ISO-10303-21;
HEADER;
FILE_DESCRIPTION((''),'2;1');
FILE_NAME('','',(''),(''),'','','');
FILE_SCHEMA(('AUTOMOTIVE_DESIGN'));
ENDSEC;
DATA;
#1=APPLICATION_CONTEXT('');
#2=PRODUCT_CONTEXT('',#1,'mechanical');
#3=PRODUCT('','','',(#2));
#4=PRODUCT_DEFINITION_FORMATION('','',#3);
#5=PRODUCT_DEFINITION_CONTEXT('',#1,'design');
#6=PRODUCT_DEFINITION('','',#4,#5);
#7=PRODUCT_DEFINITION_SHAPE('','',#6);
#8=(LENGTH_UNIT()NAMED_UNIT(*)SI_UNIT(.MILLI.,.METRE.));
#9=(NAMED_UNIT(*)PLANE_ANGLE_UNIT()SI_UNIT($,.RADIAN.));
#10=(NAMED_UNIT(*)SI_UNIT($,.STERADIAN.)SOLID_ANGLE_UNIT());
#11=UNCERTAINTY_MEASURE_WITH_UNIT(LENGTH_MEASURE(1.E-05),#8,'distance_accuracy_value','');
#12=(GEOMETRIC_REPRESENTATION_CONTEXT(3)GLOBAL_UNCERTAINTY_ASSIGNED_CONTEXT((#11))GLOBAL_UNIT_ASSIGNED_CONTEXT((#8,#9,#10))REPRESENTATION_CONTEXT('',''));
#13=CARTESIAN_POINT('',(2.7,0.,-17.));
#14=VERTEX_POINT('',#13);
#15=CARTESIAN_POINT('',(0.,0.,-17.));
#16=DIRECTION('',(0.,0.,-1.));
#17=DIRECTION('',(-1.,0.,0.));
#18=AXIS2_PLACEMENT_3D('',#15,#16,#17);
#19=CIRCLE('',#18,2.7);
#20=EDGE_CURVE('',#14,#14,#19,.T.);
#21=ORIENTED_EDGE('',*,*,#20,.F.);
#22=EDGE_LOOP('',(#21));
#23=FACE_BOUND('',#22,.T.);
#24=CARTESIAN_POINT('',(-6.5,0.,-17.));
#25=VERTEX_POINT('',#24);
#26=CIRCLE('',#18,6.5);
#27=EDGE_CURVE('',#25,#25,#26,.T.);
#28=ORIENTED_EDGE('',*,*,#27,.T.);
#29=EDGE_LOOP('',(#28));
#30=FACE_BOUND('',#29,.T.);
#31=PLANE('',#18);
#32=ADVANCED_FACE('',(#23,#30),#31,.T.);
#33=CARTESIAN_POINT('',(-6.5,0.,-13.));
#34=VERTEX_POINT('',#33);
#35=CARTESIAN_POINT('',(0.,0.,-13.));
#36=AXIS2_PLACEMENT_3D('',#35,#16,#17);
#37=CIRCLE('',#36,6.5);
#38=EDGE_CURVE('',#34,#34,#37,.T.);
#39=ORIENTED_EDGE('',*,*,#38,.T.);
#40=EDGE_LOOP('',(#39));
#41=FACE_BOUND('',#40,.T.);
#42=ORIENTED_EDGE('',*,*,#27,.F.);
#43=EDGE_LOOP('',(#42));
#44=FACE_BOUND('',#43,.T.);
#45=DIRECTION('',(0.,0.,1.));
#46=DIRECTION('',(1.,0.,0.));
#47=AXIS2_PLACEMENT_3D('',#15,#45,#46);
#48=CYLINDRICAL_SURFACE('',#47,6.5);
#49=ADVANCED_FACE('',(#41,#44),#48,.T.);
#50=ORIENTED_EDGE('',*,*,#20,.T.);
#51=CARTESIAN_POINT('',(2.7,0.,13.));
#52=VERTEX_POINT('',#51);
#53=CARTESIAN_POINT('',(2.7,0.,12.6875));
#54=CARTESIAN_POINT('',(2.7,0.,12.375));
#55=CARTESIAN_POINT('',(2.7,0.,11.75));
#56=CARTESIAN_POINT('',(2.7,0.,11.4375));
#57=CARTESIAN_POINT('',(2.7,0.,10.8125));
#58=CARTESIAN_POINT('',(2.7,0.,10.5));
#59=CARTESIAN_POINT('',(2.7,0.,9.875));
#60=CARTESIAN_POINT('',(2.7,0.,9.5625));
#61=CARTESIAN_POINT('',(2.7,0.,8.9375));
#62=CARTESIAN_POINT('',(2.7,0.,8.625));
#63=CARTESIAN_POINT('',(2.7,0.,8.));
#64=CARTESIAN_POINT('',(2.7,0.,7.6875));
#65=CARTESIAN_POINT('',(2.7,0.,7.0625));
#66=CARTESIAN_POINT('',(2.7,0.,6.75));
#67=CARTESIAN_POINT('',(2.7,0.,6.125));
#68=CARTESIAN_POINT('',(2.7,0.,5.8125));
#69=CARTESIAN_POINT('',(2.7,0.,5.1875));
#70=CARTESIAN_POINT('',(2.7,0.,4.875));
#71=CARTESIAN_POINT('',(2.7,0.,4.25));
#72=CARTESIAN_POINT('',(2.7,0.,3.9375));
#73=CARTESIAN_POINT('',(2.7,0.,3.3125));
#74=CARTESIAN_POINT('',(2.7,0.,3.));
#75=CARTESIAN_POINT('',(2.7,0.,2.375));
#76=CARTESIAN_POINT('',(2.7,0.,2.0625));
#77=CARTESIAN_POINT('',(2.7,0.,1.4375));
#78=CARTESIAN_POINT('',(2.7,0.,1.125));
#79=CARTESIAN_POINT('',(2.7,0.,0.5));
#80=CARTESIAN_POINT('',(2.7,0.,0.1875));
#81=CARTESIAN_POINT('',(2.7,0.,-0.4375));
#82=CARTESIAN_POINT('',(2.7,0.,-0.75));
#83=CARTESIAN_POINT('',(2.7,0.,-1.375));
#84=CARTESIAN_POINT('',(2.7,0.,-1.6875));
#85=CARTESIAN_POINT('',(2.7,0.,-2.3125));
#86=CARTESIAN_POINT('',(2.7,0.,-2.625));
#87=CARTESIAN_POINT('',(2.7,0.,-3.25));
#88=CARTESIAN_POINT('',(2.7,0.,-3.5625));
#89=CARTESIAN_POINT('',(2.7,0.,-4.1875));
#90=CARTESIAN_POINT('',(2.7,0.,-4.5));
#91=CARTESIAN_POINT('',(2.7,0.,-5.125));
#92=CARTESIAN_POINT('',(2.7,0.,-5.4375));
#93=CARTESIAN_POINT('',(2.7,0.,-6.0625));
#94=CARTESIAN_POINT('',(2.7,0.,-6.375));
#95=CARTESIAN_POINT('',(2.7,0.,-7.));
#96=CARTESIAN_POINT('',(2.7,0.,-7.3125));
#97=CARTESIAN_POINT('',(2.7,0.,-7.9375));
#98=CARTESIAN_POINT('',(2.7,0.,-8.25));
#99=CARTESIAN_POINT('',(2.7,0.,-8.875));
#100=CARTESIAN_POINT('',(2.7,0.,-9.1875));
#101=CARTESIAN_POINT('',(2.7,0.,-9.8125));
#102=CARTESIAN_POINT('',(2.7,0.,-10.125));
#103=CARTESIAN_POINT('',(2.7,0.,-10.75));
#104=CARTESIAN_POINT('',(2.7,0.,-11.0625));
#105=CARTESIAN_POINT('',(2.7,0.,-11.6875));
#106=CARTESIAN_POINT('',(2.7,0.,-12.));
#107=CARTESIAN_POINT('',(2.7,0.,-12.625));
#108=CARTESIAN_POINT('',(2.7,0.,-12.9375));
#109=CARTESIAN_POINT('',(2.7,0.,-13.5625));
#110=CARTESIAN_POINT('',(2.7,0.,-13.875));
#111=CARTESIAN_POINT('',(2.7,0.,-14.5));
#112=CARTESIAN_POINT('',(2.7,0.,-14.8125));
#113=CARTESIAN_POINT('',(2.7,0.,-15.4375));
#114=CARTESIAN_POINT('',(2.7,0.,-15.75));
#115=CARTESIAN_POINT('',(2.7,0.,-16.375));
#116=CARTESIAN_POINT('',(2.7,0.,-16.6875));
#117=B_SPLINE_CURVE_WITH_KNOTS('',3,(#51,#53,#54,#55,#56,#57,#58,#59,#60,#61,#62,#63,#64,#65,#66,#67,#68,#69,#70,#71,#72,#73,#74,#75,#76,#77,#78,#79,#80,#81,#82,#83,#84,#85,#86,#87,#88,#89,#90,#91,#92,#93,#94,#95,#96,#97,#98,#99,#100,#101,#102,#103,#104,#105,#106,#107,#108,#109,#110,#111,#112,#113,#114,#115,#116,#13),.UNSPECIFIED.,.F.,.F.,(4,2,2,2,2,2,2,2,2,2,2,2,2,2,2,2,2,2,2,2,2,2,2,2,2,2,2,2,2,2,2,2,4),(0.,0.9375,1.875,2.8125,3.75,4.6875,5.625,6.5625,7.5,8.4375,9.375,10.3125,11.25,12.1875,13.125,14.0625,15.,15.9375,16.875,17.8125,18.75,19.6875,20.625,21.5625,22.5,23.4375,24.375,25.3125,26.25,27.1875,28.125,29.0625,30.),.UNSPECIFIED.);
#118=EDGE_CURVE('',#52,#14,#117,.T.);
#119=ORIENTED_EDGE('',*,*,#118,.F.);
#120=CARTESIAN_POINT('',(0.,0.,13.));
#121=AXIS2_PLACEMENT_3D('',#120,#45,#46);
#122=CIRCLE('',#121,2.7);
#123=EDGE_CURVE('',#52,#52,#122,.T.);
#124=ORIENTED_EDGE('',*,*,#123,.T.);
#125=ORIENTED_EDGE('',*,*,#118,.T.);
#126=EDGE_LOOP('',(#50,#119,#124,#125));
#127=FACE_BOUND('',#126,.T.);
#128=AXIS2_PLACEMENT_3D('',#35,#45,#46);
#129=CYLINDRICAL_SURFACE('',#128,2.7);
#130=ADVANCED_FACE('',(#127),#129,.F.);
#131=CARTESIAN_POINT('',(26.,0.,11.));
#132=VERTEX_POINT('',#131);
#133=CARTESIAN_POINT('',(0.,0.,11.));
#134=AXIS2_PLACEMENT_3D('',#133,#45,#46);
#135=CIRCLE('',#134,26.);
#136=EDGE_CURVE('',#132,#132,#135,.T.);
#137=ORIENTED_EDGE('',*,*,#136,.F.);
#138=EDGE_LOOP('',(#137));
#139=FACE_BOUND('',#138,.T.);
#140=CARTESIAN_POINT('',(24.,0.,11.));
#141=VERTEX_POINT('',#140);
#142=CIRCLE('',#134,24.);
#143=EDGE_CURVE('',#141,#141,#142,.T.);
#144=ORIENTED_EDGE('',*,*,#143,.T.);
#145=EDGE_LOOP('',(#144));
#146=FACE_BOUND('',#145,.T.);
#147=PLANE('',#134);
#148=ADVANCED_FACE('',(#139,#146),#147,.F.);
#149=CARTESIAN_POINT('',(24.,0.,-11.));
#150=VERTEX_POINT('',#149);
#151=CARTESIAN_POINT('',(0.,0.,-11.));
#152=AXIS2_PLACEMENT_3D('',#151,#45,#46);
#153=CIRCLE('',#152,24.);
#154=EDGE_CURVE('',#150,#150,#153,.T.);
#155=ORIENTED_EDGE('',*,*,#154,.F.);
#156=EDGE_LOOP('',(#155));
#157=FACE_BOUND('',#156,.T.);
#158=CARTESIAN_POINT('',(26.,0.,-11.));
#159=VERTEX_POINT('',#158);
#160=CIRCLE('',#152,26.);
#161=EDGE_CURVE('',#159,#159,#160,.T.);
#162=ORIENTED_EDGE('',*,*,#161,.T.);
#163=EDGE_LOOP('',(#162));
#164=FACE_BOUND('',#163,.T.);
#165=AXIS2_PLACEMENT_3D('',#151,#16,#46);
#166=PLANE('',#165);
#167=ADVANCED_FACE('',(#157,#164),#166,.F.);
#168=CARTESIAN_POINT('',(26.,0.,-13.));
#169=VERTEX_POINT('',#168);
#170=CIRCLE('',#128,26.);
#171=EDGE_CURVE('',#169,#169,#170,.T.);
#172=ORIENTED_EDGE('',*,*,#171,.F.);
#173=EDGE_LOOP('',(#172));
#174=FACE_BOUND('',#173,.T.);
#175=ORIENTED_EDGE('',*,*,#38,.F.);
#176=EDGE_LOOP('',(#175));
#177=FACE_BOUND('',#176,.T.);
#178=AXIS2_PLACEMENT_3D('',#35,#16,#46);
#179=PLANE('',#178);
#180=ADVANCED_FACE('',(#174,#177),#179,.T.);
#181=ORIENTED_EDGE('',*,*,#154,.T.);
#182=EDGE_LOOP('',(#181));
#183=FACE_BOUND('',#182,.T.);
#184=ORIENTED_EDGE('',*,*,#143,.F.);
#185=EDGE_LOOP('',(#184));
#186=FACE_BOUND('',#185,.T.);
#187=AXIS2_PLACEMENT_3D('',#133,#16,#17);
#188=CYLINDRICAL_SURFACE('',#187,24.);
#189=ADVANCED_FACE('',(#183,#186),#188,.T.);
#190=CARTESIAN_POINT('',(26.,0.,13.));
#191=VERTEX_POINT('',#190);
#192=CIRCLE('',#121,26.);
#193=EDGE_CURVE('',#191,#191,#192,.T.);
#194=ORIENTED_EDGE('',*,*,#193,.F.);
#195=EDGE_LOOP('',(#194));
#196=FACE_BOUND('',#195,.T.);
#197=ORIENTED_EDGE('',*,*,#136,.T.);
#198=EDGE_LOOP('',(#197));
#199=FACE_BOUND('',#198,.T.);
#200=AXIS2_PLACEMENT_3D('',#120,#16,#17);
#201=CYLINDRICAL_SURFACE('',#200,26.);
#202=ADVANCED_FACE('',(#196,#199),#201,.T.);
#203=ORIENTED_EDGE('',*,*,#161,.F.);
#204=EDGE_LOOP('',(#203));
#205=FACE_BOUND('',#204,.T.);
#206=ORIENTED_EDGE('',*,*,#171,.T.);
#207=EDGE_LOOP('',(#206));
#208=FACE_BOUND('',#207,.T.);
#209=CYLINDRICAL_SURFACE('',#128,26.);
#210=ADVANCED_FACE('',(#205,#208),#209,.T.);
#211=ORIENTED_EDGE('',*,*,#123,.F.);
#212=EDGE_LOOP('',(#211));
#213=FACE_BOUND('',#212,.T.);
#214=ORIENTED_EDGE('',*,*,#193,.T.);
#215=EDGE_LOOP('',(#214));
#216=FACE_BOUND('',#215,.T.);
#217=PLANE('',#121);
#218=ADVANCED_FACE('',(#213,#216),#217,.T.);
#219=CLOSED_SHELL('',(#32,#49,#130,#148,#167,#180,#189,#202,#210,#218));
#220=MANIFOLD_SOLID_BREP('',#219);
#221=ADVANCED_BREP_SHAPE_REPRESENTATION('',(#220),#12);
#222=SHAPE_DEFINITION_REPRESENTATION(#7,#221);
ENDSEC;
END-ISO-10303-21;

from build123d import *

# Parameters (mm, degrees)
SKETCH1_R           = 24
BOSS_EXTRUDE1_DEPTH = 11
SKETCH3_R           = 26
BOSS_EXTRUDE2_DEPTH = 2
SKETCH5_R           = 2.7
CUT_EXTRUDE1_DEPTH  = 46.033320997
SKETCH6_R           = 6.5
SKETCH6_R_2         = 2.7
BOSS_EXTRUDE3_DEPTH = 4


with BuildPart() as part:
    # Sketch1 → Boss-Extrude1 (new, symmetric)
    with BuildSketch(Plane.XY):
        Circle(SKETCH1_R)
    extrude(amount=BOSS_EXTRUDE1_DEPTH, both=True)

    # Sketch3 → Boss-Extrude2 (add)
    with BuildSketch(Plane.XY.offset(11)):
        Circle(SKETCH3_R)
    boss_extrude2 = extrude(amount=BOSS_EXTRUDE2_DEPTH)

    # Mirror1: Boss-Extrude2 across plane
    add(boss_extrude2.mirror(Plane.XY))

    # Sketch5 → Cut-Extrude1 (cut, through all)
    with BuildSketch(Plane.XY.offset(13)):
        Circle(SKETCH5_R)
    extrude(amount=-CUT_EXTRUDE1_DEPTH, mode=Mode.SUBTRACT)

    # Sketch6 → Boss-Extrude3 (add)
    with BuildSketch(Plane(origin=(0, 0, -13), x_dir=(-1, 0, 0), z_dir=(0, 0, -1))):
        Circle(SKETCH6_R)
        with Locations(Location((0, 0, 0), (0, 0, 180))):
            Circle(SKETCH6_R_2, mode=Mode.SUBTRACT)
    extrude(amount=BOSS_EXTRUDE3_DEPTH)


solid = part.part
